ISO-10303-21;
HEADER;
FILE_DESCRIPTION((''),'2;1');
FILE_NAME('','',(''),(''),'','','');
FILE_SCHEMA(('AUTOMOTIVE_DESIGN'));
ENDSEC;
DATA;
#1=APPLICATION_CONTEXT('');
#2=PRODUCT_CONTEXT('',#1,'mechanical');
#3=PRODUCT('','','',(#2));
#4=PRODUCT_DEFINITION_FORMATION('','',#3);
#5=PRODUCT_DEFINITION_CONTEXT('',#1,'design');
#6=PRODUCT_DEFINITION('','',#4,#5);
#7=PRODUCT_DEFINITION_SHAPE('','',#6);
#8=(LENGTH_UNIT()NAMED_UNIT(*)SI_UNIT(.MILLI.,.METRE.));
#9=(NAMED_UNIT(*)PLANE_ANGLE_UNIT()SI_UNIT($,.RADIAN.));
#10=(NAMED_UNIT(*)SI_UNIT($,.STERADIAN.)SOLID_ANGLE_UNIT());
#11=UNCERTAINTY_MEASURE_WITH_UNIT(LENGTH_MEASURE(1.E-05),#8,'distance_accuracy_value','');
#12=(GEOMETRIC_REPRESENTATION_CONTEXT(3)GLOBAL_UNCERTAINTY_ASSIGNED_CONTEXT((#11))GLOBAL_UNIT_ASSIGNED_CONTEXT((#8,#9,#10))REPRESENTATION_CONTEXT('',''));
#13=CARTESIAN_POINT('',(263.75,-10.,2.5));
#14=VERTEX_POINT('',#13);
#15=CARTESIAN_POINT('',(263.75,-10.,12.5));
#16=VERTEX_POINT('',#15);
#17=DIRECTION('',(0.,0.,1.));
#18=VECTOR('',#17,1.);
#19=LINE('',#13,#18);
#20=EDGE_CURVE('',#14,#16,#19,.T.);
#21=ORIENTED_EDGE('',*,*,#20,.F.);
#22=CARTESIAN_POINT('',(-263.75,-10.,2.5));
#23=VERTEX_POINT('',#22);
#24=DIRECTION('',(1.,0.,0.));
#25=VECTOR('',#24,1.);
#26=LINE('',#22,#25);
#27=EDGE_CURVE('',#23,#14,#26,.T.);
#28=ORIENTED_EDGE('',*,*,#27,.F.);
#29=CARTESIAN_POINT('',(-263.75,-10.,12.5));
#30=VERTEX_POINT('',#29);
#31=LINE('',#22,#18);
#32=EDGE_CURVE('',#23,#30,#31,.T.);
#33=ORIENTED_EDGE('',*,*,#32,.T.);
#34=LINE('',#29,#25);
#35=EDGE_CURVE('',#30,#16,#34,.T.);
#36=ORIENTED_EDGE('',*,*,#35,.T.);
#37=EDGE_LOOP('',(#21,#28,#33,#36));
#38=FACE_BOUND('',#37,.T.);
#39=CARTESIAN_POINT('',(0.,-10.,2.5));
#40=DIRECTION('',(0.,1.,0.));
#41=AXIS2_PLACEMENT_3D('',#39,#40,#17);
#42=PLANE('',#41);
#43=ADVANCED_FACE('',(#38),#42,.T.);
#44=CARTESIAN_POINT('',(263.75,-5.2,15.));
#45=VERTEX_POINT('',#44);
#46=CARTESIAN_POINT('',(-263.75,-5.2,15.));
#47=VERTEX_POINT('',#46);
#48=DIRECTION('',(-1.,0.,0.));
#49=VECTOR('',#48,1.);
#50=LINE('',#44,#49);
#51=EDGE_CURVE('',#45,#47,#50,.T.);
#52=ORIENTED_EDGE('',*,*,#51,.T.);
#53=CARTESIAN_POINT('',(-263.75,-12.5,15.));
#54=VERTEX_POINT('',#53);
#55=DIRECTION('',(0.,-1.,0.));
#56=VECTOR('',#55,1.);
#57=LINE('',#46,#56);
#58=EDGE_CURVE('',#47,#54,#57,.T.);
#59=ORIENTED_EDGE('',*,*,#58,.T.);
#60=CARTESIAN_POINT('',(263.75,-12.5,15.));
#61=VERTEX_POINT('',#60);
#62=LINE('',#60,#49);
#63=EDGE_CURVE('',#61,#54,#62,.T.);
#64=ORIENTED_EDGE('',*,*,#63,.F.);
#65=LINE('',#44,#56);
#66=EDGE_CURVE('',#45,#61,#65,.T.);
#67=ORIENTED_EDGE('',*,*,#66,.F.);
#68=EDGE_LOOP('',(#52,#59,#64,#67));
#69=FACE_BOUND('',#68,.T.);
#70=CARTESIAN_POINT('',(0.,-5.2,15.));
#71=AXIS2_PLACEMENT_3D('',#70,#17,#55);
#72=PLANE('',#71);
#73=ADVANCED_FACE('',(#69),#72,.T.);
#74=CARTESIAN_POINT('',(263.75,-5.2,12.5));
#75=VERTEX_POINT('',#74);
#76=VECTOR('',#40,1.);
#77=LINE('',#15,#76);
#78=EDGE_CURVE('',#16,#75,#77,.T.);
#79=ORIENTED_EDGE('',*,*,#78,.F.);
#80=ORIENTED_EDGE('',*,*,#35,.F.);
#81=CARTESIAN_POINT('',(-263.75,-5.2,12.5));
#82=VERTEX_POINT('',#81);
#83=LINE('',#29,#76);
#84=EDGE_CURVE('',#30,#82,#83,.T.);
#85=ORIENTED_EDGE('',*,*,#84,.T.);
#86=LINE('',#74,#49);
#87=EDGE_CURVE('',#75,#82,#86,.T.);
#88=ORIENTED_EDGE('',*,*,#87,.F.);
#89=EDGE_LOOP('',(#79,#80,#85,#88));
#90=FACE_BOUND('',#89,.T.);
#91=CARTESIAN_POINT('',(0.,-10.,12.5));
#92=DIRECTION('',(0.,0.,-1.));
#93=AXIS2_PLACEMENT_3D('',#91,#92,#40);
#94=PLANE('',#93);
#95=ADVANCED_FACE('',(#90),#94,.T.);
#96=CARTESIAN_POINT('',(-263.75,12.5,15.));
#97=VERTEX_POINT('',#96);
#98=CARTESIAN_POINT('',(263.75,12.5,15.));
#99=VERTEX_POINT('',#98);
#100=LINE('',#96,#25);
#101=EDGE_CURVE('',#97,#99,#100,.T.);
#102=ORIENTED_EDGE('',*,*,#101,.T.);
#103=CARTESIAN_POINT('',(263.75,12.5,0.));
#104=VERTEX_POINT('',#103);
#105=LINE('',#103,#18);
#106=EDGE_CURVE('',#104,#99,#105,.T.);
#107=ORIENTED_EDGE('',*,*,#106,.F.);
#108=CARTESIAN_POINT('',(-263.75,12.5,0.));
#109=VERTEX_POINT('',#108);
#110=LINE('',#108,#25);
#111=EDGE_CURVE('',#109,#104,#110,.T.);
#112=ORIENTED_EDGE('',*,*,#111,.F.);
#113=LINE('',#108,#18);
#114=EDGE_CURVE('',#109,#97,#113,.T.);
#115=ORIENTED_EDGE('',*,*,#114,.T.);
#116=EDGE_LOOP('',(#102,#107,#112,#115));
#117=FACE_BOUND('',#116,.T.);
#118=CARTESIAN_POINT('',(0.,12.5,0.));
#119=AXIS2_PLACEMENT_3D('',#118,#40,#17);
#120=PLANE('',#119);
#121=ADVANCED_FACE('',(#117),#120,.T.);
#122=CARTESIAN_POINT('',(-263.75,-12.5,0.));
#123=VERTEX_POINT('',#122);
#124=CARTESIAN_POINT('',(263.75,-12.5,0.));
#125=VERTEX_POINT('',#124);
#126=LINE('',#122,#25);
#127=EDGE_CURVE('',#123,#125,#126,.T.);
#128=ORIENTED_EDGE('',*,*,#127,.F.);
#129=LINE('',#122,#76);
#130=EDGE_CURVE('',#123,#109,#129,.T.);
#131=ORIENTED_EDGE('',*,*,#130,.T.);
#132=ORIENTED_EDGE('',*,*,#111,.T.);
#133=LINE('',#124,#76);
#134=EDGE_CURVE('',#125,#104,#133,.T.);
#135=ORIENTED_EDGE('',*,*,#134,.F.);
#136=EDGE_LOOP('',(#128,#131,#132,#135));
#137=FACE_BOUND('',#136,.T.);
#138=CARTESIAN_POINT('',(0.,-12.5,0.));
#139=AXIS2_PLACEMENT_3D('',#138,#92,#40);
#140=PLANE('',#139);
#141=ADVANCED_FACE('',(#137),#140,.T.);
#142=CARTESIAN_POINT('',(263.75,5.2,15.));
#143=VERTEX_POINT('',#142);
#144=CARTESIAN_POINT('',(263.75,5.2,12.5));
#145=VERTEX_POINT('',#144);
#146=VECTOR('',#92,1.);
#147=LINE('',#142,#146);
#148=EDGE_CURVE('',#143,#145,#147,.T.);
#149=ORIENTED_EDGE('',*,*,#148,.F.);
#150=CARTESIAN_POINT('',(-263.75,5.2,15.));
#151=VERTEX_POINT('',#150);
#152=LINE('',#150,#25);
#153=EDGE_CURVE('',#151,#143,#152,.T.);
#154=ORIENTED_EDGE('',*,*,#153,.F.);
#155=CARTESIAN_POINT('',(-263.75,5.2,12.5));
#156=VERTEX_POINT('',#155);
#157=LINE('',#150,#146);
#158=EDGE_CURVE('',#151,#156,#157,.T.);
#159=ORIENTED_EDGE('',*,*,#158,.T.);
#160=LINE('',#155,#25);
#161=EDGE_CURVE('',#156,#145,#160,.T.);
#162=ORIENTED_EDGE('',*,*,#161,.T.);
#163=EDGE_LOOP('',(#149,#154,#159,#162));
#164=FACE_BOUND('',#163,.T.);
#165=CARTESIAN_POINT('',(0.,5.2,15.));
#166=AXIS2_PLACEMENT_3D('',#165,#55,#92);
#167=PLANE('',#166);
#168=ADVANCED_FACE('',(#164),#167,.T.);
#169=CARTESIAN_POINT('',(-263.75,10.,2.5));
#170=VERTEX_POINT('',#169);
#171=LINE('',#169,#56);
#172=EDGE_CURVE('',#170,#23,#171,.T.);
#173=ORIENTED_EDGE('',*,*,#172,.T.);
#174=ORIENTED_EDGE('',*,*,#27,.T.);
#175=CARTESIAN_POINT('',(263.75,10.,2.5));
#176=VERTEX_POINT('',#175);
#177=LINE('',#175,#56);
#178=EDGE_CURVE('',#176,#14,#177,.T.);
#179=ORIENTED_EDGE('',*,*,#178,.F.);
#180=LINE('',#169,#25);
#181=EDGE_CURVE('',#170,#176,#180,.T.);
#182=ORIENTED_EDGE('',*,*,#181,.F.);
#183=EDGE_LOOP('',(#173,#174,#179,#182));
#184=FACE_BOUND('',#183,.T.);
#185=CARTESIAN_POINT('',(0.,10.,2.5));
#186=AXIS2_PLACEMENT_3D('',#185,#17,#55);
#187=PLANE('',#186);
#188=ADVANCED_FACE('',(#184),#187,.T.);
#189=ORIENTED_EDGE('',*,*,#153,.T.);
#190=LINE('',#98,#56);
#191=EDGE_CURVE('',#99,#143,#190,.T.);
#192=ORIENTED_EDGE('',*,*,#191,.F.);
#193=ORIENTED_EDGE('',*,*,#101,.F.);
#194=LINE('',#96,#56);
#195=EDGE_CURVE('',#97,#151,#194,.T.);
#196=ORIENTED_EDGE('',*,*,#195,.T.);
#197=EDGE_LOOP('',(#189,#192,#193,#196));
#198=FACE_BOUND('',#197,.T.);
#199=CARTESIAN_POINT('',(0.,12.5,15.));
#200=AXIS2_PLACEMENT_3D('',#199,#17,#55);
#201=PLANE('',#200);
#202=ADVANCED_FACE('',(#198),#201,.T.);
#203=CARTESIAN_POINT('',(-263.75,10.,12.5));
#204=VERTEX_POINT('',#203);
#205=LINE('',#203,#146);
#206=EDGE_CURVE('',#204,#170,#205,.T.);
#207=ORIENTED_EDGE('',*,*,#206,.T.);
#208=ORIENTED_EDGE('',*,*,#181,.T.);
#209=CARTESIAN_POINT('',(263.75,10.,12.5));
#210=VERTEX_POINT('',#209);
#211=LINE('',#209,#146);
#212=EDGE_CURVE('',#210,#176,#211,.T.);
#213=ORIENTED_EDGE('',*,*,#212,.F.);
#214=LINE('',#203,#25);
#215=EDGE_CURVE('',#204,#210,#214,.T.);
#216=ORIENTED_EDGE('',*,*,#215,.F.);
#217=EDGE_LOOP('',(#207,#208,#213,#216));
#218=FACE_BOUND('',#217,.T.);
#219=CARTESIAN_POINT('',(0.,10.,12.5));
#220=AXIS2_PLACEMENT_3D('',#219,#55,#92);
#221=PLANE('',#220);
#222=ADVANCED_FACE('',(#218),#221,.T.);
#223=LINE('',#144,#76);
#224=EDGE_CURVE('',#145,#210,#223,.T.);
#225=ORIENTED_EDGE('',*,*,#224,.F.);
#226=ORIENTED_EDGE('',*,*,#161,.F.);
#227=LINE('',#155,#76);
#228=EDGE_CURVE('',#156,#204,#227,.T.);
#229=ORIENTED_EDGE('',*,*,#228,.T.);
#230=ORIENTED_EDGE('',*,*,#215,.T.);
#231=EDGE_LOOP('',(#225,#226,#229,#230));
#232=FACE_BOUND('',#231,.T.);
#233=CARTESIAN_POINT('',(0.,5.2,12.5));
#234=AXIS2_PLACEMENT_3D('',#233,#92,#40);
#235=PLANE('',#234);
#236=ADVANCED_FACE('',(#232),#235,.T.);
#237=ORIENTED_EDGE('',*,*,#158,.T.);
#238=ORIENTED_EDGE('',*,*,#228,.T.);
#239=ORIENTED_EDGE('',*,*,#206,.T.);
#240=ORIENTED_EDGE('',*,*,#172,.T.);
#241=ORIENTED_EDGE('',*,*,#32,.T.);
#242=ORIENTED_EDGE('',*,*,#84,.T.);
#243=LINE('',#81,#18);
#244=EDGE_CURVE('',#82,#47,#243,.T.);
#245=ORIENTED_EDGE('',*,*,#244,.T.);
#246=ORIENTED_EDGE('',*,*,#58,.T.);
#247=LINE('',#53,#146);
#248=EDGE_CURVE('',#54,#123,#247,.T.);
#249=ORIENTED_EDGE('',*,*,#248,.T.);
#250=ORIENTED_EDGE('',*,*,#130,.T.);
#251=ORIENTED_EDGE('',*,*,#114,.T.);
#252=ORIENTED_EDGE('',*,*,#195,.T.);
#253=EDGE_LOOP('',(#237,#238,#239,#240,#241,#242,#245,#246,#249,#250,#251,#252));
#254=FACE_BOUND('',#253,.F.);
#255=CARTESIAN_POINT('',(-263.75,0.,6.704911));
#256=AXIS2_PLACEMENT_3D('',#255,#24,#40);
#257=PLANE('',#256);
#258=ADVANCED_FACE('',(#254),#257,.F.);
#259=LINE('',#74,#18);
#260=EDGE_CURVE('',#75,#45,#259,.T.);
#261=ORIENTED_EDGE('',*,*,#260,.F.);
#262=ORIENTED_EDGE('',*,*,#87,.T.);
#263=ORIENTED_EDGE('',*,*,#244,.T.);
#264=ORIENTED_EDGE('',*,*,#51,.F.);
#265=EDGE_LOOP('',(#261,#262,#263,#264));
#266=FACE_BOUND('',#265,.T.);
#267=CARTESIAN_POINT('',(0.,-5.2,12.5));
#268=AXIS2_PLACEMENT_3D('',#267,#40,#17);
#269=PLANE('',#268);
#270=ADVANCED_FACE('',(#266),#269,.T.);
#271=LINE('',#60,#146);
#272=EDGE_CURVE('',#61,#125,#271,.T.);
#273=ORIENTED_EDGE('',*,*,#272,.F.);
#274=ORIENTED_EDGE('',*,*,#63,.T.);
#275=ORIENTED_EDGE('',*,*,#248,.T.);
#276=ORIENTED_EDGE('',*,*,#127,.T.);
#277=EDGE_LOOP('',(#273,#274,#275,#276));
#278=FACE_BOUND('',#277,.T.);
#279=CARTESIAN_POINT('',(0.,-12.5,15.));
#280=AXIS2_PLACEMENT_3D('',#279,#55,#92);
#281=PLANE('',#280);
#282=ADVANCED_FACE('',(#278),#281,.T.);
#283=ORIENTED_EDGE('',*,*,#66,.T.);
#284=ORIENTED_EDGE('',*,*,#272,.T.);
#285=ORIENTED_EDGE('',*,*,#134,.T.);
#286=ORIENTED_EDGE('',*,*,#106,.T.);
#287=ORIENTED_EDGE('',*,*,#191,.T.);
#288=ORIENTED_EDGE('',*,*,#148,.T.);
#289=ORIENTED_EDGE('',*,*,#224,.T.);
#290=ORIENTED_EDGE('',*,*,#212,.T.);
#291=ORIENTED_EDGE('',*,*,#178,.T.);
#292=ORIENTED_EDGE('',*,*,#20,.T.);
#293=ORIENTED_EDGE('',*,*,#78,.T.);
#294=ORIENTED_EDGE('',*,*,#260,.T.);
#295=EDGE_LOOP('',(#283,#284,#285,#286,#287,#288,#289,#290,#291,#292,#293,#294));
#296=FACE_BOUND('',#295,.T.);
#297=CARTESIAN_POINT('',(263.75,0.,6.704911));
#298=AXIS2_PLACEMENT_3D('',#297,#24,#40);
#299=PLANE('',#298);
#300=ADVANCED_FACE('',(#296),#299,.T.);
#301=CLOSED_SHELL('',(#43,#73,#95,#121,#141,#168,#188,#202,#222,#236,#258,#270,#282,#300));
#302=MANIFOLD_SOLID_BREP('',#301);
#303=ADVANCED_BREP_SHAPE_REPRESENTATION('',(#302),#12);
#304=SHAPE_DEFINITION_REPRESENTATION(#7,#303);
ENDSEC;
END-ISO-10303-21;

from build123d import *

# Parameters (mm, degrees)
F1_DEPTH = 263.75


with BuildPart() as f1:
    # F0 (on Right) → F1 (new body, symmetric)
    with BuildSketch(Plane.YZ):
        Polygon((-10, 15), (-12.5, 15), (-12.5, 12.5), (-12.5, 0), (12.5, 0), (12.5, 12.5), (12.5, 15), (10, 15), (5.2, 15), (5.2, 12.5), (10, 12.5), (10, 2.5), (-10, 2.5), (-10, 12.5), (-5.2, 12.5), (-5.2, 15), align=None)
    extrude(amount=F1_DEPTH, both=True)


solid = f1.part
